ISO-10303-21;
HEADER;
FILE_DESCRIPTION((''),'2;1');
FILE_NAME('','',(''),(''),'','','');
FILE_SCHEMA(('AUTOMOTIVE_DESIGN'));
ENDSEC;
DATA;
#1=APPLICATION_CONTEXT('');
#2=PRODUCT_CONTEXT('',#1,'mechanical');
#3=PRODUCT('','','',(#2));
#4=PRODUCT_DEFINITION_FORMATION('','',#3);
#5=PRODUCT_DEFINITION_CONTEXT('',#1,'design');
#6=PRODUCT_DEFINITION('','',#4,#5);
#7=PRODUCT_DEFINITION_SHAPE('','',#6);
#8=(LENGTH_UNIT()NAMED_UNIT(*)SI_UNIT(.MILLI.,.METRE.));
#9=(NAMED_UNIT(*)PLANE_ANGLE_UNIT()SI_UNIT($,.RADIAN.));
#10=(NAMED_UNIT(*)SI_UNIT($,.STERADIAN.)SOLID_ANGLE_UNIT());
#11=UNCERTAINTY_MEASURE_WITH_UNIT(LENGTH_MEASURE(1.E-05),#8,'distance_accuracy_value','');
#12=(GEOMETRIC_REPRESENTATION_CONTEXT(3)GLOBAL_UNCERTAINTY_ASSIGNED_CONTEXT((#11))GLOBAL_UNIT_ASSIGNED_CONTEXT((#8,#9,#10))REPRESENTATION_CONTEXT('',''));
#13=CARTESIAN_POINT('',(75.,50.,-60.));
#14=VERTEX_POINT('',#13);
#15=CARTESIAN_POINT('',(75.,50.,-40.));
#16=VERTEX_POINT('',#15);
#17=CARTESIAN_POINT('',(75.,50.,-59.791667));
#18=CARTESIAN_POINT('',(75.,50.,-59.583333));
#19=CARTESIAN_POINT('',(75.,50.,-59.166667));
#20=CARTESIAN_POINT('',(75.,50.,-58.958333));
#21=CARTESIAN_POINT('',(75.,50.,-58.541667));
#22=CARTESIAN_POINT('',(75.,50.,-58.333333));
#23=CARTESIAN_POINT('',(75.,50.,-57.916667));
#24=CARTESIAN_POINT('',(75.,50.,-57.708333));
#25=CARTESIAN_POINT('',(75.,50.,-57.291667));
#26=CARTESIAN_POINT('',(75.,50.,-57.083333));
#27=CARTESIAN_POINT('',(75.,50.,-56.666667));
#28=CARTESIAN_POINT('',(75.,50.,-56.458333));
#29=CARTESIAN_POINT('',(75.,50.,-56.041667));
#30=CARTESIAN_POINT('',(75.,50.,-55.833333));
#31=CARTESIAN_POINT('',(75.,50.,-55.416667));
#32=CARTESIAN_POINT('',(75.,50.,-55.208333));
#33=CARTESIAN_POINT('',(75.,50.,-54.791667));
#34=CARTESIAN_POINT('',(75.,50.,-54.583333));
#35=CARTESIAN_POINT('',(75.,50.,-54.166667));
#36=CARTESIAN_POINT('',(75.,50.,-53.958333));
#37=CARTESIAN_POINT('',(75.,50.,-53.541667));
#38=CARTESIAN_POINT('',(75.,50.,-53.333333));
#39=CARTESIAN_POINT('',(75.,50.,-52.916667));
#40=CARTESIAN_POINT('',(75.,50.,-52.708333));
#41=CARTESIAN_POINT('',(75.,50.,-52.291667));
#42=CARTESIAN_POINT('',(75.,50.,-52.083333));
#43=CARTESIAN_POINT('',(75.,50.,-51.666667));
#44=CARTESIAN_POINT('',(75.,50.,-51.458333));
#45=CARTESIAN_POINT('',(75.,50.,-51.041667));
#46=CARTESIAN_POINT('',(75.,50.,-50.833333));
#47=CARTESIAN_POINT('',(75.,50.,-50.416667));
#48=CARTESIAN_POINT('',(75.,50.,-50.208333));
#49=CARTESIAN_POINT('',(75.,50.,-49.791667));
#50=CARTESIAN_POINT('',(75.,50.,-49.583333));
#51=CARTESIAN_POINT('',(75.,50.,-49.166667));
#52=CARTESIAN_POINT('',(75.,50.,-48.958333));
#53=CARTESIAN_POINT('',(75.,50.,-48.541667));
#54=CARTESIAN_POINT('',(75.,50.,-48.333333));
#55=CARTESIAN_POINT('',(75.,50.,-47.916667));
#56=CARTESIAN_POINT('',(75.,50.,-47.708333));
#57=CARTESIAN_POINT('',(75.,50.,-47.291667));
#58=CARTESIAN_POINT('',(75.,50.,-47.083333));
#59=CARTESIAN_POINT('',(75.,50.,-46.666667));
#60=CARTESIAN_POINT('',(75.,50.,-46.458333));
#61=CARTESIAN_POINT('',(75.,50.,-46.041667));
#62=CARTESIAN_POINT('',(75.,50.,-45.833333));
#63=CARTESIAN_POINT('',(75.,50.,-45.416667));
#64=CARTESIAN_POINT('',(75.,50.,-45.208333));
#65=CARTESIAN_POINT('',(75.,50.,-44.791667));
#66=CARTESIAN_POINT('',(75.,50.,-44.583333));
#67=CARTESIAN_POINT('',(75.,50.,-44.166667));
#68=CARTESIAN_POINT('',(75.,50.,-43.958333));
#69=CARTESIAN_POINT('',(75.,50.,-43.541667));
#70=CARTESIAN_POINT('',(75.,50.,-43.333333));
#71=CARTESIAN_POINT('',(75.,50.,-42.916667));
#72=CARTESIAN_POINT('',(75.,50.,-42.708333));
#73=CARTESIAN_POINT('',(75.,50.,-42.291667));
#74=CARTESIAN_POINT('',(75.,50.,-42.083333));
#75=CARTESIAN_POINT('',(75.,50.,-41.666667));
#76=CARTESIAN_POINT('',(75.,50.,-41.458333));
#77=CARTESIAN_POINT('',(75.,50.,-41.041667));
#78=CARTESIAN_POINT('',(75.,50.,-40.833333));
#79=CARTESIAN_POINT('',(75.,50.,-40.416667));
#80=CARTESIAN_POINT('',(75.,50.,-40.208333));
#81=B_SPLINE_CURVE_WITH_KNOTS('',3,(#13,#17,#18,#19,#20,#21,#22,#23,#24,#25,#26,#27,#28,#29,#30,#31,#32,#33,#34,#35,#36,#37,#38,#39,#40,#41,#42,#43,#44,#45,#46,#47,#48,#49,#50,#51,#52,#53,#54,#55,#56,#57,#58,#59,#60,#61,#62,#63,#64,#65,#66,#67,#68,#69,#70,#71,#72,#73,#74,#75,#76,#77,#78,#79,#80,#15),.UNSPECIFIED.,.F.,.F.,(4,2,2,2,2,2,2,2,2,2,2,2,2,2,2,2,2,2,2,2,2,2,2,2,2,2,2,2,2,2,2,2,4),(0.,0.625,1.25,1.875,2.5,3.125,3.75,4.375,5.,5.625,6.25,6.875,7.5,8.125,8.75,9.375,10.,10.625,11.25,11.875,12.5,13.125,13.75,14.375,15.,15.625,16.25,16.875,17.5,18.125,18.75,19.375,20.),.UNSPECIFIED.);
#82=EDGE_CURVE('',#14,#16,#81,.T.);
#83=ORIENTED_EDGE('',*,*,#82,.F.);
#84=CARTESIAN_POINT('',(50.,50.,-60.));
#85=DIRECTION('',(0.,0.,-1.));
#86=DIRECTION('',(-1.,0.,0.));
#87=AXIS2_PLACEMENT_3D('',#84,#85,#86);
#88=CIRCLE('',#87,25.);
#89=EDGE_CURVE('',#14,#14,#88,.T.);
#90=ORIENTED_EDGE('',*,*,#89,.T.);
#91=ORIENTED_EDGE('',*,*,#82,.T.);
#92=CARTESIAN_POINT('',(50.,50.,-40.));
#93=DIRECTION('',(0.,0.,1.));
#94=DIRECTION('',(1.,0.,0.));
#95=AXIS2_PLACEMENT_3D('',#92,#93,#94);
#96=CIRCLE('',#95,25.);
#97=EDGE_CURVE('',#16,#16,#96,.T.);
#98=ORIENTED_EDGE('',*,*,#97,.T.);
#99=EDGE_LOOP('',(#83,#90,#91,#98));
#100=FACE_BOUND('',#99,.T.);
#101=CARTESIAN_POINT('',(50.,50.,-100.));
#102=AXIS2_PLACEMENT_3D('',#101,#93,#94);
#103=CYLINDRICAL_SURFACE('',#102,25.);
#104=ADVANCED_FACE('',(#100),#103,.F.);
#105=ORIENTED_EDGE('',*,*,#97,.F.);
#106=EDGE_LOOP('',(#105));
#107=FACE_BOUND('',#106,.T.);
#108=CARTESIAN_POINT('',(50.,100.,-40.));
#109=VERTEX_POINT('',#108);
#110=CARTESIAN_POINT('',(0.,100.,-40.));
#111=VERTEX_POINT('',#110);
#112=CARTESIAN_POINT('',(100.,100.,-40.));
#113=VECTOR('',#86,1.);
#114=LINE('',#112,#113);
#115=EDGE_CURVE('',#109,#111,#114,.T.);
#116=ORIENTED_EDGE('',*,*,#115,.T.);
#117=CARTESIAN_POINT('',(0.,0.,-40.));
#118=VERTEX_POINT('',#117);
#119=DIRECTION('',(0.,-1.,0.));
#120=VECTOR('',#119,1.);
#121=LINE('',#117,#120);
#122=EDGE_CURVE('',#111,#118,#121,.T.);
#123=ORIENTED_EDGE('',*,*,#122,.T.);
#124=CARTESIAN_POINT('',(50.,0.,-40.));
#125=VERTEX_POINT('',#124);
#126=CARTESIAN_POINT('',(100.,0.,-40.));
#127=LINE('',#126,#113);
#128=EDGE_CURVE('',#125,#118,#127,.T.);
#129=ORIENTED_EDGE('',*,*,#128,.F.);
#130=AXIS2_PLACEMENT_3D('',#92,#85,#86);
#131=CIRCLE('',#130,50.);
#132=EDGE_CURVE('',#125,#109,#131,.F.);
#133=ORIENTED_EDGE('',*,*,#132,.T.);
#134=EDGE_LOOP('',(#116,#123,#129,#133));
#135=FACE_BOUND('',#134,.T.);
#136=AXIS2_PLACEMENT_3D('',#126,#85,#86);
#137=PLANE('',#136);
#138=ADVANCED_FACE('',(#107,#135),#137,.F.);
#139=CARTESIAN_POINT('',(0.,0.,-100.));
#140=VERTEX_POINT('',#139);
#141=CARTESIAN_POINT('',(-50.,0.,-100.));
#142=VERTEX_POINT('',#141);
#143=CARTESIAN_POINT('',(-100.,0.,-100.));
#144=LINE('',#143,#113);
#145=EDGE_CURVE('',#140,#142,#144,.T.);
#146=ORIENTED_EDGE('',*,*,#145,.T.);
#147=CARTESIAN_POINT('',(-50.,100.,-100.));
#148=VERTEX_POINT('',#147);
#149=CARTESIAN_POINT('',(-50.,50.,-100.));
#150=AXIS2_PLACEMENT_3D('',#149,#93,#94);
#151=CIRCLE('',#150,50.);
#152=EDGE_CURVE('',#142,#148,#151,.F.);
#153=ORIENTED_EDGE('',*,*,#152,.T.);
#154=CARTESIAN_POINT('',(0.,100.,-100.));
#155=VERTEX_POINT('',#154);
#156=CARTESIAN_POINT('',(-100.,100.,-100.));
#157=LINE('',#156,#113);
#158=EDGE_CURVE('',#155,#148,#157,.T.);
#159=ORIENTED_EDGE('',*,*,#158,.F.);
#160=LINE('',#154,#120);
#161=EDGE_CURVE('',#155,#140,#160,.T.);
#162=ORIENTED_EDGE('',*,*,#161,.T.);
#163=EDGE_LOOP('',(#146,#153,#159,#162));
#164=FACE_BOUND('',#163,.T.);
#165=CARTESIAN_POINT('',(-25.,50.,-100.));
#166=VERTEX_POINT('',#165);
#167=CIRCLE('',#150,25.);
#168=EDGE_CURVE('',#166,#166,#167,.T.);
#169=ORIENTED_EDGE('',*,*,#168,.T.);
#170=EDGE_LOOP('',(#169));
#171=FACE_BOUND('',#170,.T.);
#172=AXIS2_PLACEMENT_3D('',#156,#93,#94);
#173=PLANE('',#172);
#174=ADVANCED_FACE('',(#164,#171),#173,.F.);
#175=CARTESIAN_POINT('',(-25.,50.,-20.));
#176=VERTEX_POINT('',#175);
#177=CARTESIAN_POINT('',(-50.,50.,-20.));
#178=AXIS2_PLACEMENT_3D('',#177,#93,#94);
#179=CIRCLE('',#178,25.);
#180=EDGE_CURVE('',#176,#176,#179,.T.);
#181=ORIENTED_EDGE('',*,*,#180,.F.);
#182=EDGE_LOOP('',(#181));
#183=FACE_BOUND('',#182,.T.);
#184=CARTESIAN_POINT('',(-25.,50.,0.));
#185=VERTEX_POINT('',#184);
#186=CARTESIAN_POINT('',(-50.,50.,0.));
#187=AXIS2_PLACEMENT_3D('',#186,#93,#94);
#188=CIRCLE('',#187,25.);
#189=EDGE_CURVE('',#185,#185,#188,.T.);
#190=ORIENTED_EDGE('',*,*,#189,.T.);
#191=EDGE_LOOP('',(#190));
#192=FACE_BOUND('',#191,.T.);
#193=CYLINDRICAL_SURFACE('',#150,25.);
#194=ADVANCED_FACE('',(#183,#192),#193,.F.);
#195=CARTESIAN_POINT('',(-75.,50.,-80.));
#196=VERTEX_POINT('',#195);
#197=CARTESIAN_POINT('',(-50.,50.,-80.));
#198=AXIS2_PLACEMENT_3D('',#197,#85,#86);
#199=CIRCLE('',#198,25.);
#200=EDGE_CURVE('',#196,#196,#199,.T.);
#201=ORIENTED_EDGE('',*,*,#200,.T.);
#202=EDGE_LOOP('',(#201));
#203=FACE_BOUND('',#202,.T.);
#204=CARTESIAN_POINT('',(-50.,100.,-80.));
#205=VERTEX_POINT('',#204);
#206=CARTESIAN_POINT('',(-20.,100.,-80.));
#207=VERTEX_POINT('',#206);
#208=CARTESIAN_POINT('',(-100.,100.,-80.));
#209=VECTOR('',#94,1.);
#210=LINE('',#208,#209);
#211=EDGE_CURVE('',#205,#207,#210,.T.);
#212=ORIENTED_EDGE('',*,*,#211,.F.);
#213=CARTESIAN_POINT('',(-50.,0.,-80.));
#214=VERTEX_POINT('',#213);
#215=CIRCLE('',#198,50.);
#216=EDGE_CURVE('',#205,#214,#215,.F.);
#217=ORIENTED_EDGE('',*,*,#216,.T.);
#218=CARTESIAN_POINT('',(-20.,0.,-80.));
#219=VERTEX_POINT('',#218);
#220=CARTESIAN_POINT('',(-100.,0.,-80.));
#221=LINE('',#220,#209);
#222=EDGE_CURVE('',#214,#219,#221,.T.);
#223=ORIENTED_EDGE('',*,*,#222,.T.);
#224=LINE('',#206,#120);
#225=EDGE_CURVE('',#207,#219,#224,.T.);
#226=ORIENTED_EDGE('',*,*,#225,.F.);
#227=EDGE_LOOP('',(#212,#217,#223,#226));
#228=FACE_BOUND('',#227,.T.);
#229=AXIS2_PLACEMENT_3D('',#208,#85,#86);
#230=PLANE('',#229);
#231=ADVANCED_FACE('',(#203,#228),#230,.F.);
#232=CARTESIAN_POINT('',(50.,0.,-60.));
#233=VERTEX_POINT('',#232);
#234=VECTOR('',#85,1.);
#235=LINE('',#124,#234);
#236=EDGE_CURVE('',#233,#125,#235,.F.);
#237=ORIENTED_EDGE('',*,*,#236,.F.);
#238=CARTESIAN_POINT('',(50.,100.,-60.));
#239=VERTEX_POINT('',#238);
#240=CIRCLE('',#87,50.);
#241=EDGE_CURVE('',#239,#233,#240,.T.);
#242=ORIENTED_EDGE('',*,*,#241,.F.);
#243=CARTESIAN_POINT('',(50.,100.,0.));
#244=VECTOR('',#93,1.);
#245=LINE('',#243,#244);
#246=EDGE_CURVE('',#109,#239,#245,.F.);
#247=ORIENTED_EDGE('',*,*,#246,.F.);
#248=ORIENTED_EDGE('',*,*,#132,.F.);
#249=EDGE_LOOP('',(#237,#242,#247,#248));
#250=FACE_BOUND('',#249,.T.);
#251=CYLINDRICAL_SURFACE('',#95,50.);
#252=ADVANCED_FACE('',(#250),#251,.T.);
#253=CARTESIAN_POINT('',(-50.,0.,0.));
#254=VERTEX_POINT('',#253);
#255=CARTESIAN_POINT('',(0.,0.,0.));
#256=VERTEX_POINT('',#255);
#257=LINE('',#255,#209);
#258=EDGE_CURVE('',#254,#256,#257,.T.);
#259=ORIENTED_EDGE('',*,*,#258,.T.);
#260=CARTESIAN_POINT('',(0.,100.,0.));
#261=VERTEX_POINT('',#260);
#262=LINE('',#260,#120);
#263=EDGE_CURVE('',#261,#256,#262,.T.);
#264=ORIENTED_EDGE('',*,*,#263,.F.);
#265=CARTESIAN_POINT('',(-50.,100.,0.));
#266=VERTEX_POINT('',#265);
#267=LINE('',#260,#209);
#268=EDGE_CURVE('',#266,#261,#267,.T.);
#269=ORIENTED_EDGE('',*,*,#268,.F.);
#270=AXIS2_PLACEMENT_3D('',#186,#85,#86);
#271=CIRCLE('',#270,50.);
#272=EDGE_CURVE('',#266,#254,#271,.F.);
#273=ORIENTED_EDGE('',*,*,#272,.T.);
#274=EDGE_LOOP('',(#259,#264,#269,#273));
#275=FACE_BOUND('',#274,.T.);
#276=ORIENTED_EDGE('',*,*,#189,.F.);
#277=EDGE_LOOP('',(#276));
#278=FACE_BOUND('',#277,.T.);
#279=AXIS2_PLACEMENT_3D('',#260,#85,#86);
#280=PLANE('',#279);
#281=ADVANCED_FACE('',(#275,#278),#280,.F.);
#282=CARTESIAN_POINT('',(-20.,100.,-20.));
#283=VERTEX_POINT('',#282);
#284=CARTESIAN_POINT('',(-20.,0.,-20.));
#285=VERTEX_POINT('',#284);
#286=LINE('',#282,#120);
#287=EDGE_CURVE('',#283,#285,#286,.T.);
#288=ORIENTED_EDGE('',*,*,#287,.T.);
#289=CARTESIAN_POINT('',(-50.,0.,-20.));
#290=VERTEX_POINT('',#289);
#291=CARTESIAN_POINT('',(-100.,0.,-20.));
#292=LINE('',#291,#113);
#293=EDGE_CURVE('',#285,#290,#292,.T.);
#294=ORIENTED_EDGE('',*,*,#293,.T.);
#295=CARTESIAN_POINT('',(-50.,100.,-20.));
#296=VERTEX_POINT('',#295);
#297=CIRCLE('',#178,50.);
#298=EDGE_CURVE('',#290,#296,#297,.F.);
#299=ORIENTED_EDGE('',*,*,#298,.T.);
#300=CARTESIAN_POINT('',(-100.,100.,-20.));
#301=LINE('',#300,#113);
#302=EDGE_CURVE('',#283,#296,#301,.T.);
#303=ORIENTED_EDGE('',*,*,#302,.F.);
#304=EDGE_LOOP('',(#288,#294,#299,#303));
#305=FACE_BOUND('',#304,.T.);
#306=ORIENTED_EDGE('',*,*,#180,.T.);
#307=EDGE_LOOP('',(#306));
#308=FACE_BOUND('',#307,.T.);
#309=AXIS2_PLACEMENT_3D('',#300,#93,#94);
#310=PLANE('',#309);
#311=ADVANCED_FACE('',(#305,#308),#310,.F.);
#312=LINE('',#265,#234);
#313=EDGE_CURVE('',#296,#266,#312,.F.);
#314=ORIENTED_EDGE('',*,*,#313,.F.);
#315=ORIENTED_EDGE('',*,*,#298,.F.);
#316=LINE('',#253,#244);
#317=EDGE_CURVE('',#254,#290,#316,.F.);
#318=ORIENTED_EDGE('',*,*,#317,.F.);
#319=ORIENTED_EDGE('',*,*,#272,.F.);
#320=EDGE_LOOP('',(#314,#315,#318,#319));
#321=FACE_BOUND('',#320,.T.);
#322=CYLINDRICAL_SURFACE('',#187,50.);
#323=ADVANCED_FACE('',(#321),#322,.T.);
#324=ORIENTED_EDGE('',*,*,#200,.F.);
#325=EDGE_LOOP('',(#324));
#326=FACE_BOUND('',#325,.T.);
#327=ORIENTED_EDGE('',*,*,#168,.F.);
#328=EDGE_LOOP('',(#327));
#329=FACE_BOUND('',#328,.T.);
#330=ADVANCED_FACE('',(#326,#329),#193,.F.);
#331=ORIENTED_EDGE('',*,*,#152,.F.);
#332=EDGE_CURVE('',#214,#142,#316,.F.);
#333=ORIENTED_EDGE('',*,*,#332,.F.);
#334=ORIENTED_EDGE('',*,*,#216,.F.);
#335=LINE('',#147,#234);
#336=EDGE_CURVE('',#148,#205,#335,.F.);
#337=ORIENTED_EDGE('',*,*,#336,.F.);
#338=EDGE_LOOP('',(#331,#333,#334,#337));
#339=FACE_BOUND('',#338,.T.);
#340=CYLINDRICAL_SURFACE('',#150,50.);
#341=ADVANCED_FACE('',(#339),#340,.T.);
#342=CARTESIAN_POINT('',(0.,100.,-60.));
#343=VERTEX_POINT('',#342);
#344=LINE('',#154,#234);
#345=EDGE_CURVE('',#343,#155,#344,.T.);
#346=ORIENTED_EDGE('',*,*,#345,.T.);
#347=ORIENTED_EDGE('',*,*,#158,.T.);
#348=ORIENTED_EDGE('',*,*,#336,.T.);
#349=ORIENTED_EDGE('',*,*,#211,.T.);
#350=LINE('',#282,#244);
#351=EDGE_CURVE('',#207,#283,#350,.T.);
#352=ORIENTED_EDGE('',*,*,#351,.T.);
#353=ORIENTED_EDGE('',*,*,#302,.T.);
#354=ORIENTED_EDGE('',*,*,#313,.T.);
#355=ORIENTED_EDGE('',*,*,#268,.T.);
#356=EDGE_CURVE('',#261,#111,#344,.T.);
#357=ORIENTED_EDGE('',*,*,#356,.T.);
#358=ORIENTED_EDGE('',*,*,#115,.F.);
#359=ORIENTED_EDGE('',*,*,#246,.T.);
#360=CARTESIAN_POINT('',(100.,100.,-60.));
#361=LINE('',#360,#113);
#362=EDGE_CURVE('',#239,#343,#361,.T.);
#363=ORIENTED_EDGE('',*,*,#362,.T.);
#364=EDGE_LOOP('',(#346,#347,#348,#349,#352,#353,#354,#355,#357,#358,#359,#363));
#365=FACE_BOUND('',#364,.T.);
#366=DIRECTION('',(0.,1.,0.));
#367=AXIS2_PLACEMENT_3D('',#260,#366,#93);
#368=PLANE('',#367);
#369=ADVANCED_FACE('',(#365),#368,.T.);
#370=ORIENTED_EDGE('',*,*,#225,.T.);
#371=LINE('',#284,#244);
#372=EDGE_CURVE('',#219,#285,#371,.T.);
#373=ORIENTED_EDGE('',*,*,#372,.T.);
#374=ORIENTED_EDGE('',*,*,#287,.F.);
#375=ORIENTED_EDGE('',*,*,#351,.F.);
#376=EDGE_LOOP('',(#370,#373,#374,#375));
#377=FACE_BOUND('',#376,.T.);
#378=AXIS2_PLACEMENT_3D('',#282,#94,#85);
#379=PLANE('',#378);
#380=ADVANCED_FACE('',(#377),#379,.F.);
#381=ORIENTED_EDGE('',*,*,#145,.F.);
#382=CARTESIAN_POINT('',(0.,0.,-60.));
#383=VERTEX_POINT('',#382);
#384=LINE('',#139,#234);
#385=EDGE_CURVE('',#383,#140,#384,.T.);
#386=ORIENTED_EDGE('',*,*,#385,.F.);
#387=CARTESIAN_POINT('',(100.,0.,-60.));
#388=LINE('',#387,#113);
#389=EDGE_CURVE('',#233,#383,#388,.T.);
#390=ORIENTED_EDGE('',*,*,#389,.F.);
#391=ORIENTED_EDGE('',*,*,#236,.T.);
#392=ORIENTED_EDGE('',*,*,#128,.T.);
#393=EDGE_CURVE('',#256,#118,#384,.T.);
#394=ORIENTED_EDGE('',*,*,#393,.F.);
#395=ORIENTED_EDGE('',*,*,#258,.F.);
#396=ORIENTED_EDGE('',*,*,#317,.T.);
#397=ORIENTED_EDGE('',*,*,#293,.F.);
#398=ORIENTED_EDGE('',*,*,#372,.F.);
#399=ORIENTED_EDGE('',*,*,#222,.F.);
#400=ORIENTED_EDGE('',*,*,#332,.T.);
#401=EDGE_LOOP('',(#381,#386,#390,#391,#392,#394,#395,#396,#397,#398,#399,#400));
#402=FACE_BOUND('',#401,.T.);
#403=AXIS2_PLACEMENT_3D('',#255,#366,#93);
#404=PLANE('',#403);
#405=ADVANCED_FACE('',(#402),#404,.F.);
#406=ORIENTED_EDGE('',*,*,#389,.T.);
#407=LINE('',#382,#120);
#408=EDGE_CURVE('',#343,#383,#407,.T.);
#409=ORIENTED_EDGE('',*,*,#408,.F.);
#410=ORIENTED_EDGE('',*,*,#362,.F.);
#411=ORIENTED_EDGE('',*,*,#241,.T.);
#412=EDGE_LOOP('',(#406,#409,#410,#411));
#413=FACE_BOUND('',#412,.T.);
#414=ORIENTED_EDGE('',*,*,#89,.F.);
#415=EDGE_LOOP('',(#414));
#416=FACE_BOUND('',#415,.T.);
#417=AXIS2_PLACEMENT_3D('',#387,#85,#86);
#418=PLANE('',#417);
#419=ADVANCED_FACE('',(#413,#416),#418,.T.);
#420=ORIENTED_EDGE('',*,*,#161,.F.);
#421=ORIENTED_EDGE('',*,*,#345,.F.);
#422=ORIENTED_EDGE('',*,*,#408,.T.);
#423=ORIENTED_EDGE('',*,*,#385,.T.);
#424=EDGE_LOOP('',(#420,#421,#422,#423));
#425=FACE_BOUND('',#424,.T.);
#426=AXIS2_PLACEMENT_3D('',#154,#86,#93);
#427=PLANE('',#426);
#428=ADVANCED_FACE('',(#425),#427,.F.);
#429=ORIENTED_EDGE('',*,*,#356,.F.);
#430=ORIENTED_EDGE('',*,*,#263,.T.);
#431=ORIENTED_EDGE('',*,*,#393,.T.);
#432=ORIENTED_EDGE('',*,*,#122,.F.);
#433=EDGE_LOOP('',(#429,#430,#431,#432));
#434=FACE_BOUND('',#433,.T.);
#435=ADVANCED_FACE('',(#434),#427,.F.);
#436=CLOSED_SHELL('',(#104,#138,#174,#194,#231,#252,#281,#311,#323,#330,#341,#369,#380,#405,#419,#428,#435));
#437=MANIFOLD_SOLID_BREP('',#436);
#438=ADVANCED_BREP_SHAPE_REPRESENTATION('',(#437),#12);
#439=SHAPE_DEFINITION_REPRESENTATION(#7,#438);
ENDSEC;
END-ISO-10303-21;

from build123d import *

# Parameters (mm, degrees)
SALIENTE_EXTRUIR1_DEPTH = 100
REDONDEO1_RADIUS        = 50
REDONDEO1_LENGTH        = 20
REDONDEO2_RADIUS        = 50
REDONDEO2_LENGTH        = 20
CROQUIS3_R              = 25
CORTAR_EXTRUIR1_DEPTH   = 174.205080757
CROQUIS10_W             = 20
CROQUIS10_H             = 100
SALIENTE_EXTRUIR3_DEPTH = 100
REDONDEO3_RADIUS        = 50
REDONDEO3_LENGTH        = 20
CROQUIS11_R             = 25
CORTAR_EXTRUIR5_DEPTH   = 154.622914957


with BuildPart() as part:
    # Croquis1 → Saliente-Extruir1 (new body)
    with BuildSketch(Plane(origin=(0, 0, 0), x_dir=(1, 0, 0), z_dir=(0, 1, 0))):
        Polygon((-100, 100), (0, 100), (0, 0), (-100, 0), (-100, 20), (-20, 20), (-20, 80), (-100, 80), align=None)
    extrude(amount=SALIENTE_EXTRUIR1_DEPTH)

    # Redondeo1: full round fillet: the end face becomes a half cylinder, R = half its width
    redondeo1_face = Plane((-100, 50, -90), x_dir=(0, 0, 1), z_dir=(-1, 0, 0))  # on the end face: x along it, z out of the body
    redondeo1_slab = redondeo1_face.offset(-REDONDEO1_RADIUS / 2) * Box(REDONDEO1_LENGTH, 2 * REDONDEO1_RADIUS, REDONDEO1_RADIUS, mode=Mode.PRIVATE)  # the body's end, R deep
    redondeo1_round = Plane((-50, 50, -90), x_dir=(-1, 0, 0), z_dir=(0, 0, 1)) * Cylinder(REDONDEO1_RADIUS, REDONDEO1_LENGTH, mode=Mode.PRIVATE)  # its axis R under the face
    add(redondeo1_slab - redondeo1_round, mode=Mode.SUBTRACT)

    # Redondeo2: full round fillet: the end face becomes a half cylinder, R = half its width
    redondeo2_face = Plane((-100, 50, -10), x_dir=(0, 0, -1), z_dir=(-1, 0, 0))  # on the end face: x along it, z out of the body
    redondeo2_slab = redondeo2_face.offset(-REDONDEO2_RADIUS / 2) * Box(REDONDEO2_LENGTH, 2 * REDONDEO2_RADIUS, REDONDEO2_RADIUS, mode=Mode.PRIVATE)  # the body's end, R deep
    redondeo2_round = Plane((-50, 50, -10), x_dir=(-1, 0, 0), z_dir=(0, 0, -1)) * Cylinder(REDONDEO2_RADIUS, REDONDEO2_LENGTH, mode=Mode.PRIVATE)  # its axis R under the face
    add(redondeo2_slab - redondeo2_round, mode=Mode.SUBTRACT)

    # Croquis3 → Cortar-Extruir1 (cut, through all)
    with BuildSketch(Plane.XY):
        with Locations((-50, 50)):
            Circle(CROQUIS3_R)
    extrude(amount=-CORTAR_EXTRUIR1_DEPTH, mode=Mode.SUBTRACT)

    # Croquis10 → Saliente-Extruir3 (add)
    with BuildSketch(Plane(origin=(0, 0, 0), x_dir=(0, 0, -1), z_dir=(1, 0, 0))):
        with Locations((50, 50)):
            Rectangle(CROQUIS10_W, CROQUIS10_H)
    extrude(amount=SALIENTE_EXTRUIR3_DEPTH)

    # Redondeo3: full round fillet: the end face becomes a half cylinder, R = half its width
    redondeo3_face = Plane((100, 50, -50), x_dir=(0, 0, 1), z_dir=(1, 0, 0))  # on the end face: x along it, z out of the body
    redondeo3_slab = redondeo3_face.offset(-REDONDEO3_RADIUS / 2) * Box(REDONDEO3_LENGTH, 2 * REDONDEO3_RADIUS, REDONDEO3_RADIUS, mode=Mode.PRIVATE)  # the body's end, R deep
    redondeo3_round = Plane((50, 50, -50), x_dir=(1, 0, 0), z_dir=(0, 0, 1)) * Cylinder(REDONDEO3_RADIUS, REDONDEO3_LENGTH, mode=Mode.PRIVATE)  # its axis R under the face
    add(redondeo3_slab - redondeo3_round, mode=Mode.SUBTRACT)

    # Croquis11 → Cortar-Extruir5 (cut, through all)
    with BuildSketch(Plane.XY.offset(-40)):
        with Locations((50, 50)):
            Circle(CROQUIS11_R)
    extrude(amount=-CORTAR_EXTRUIR5_DEPTH, mode=Mode.SUBTRACT)


solid = part.part
